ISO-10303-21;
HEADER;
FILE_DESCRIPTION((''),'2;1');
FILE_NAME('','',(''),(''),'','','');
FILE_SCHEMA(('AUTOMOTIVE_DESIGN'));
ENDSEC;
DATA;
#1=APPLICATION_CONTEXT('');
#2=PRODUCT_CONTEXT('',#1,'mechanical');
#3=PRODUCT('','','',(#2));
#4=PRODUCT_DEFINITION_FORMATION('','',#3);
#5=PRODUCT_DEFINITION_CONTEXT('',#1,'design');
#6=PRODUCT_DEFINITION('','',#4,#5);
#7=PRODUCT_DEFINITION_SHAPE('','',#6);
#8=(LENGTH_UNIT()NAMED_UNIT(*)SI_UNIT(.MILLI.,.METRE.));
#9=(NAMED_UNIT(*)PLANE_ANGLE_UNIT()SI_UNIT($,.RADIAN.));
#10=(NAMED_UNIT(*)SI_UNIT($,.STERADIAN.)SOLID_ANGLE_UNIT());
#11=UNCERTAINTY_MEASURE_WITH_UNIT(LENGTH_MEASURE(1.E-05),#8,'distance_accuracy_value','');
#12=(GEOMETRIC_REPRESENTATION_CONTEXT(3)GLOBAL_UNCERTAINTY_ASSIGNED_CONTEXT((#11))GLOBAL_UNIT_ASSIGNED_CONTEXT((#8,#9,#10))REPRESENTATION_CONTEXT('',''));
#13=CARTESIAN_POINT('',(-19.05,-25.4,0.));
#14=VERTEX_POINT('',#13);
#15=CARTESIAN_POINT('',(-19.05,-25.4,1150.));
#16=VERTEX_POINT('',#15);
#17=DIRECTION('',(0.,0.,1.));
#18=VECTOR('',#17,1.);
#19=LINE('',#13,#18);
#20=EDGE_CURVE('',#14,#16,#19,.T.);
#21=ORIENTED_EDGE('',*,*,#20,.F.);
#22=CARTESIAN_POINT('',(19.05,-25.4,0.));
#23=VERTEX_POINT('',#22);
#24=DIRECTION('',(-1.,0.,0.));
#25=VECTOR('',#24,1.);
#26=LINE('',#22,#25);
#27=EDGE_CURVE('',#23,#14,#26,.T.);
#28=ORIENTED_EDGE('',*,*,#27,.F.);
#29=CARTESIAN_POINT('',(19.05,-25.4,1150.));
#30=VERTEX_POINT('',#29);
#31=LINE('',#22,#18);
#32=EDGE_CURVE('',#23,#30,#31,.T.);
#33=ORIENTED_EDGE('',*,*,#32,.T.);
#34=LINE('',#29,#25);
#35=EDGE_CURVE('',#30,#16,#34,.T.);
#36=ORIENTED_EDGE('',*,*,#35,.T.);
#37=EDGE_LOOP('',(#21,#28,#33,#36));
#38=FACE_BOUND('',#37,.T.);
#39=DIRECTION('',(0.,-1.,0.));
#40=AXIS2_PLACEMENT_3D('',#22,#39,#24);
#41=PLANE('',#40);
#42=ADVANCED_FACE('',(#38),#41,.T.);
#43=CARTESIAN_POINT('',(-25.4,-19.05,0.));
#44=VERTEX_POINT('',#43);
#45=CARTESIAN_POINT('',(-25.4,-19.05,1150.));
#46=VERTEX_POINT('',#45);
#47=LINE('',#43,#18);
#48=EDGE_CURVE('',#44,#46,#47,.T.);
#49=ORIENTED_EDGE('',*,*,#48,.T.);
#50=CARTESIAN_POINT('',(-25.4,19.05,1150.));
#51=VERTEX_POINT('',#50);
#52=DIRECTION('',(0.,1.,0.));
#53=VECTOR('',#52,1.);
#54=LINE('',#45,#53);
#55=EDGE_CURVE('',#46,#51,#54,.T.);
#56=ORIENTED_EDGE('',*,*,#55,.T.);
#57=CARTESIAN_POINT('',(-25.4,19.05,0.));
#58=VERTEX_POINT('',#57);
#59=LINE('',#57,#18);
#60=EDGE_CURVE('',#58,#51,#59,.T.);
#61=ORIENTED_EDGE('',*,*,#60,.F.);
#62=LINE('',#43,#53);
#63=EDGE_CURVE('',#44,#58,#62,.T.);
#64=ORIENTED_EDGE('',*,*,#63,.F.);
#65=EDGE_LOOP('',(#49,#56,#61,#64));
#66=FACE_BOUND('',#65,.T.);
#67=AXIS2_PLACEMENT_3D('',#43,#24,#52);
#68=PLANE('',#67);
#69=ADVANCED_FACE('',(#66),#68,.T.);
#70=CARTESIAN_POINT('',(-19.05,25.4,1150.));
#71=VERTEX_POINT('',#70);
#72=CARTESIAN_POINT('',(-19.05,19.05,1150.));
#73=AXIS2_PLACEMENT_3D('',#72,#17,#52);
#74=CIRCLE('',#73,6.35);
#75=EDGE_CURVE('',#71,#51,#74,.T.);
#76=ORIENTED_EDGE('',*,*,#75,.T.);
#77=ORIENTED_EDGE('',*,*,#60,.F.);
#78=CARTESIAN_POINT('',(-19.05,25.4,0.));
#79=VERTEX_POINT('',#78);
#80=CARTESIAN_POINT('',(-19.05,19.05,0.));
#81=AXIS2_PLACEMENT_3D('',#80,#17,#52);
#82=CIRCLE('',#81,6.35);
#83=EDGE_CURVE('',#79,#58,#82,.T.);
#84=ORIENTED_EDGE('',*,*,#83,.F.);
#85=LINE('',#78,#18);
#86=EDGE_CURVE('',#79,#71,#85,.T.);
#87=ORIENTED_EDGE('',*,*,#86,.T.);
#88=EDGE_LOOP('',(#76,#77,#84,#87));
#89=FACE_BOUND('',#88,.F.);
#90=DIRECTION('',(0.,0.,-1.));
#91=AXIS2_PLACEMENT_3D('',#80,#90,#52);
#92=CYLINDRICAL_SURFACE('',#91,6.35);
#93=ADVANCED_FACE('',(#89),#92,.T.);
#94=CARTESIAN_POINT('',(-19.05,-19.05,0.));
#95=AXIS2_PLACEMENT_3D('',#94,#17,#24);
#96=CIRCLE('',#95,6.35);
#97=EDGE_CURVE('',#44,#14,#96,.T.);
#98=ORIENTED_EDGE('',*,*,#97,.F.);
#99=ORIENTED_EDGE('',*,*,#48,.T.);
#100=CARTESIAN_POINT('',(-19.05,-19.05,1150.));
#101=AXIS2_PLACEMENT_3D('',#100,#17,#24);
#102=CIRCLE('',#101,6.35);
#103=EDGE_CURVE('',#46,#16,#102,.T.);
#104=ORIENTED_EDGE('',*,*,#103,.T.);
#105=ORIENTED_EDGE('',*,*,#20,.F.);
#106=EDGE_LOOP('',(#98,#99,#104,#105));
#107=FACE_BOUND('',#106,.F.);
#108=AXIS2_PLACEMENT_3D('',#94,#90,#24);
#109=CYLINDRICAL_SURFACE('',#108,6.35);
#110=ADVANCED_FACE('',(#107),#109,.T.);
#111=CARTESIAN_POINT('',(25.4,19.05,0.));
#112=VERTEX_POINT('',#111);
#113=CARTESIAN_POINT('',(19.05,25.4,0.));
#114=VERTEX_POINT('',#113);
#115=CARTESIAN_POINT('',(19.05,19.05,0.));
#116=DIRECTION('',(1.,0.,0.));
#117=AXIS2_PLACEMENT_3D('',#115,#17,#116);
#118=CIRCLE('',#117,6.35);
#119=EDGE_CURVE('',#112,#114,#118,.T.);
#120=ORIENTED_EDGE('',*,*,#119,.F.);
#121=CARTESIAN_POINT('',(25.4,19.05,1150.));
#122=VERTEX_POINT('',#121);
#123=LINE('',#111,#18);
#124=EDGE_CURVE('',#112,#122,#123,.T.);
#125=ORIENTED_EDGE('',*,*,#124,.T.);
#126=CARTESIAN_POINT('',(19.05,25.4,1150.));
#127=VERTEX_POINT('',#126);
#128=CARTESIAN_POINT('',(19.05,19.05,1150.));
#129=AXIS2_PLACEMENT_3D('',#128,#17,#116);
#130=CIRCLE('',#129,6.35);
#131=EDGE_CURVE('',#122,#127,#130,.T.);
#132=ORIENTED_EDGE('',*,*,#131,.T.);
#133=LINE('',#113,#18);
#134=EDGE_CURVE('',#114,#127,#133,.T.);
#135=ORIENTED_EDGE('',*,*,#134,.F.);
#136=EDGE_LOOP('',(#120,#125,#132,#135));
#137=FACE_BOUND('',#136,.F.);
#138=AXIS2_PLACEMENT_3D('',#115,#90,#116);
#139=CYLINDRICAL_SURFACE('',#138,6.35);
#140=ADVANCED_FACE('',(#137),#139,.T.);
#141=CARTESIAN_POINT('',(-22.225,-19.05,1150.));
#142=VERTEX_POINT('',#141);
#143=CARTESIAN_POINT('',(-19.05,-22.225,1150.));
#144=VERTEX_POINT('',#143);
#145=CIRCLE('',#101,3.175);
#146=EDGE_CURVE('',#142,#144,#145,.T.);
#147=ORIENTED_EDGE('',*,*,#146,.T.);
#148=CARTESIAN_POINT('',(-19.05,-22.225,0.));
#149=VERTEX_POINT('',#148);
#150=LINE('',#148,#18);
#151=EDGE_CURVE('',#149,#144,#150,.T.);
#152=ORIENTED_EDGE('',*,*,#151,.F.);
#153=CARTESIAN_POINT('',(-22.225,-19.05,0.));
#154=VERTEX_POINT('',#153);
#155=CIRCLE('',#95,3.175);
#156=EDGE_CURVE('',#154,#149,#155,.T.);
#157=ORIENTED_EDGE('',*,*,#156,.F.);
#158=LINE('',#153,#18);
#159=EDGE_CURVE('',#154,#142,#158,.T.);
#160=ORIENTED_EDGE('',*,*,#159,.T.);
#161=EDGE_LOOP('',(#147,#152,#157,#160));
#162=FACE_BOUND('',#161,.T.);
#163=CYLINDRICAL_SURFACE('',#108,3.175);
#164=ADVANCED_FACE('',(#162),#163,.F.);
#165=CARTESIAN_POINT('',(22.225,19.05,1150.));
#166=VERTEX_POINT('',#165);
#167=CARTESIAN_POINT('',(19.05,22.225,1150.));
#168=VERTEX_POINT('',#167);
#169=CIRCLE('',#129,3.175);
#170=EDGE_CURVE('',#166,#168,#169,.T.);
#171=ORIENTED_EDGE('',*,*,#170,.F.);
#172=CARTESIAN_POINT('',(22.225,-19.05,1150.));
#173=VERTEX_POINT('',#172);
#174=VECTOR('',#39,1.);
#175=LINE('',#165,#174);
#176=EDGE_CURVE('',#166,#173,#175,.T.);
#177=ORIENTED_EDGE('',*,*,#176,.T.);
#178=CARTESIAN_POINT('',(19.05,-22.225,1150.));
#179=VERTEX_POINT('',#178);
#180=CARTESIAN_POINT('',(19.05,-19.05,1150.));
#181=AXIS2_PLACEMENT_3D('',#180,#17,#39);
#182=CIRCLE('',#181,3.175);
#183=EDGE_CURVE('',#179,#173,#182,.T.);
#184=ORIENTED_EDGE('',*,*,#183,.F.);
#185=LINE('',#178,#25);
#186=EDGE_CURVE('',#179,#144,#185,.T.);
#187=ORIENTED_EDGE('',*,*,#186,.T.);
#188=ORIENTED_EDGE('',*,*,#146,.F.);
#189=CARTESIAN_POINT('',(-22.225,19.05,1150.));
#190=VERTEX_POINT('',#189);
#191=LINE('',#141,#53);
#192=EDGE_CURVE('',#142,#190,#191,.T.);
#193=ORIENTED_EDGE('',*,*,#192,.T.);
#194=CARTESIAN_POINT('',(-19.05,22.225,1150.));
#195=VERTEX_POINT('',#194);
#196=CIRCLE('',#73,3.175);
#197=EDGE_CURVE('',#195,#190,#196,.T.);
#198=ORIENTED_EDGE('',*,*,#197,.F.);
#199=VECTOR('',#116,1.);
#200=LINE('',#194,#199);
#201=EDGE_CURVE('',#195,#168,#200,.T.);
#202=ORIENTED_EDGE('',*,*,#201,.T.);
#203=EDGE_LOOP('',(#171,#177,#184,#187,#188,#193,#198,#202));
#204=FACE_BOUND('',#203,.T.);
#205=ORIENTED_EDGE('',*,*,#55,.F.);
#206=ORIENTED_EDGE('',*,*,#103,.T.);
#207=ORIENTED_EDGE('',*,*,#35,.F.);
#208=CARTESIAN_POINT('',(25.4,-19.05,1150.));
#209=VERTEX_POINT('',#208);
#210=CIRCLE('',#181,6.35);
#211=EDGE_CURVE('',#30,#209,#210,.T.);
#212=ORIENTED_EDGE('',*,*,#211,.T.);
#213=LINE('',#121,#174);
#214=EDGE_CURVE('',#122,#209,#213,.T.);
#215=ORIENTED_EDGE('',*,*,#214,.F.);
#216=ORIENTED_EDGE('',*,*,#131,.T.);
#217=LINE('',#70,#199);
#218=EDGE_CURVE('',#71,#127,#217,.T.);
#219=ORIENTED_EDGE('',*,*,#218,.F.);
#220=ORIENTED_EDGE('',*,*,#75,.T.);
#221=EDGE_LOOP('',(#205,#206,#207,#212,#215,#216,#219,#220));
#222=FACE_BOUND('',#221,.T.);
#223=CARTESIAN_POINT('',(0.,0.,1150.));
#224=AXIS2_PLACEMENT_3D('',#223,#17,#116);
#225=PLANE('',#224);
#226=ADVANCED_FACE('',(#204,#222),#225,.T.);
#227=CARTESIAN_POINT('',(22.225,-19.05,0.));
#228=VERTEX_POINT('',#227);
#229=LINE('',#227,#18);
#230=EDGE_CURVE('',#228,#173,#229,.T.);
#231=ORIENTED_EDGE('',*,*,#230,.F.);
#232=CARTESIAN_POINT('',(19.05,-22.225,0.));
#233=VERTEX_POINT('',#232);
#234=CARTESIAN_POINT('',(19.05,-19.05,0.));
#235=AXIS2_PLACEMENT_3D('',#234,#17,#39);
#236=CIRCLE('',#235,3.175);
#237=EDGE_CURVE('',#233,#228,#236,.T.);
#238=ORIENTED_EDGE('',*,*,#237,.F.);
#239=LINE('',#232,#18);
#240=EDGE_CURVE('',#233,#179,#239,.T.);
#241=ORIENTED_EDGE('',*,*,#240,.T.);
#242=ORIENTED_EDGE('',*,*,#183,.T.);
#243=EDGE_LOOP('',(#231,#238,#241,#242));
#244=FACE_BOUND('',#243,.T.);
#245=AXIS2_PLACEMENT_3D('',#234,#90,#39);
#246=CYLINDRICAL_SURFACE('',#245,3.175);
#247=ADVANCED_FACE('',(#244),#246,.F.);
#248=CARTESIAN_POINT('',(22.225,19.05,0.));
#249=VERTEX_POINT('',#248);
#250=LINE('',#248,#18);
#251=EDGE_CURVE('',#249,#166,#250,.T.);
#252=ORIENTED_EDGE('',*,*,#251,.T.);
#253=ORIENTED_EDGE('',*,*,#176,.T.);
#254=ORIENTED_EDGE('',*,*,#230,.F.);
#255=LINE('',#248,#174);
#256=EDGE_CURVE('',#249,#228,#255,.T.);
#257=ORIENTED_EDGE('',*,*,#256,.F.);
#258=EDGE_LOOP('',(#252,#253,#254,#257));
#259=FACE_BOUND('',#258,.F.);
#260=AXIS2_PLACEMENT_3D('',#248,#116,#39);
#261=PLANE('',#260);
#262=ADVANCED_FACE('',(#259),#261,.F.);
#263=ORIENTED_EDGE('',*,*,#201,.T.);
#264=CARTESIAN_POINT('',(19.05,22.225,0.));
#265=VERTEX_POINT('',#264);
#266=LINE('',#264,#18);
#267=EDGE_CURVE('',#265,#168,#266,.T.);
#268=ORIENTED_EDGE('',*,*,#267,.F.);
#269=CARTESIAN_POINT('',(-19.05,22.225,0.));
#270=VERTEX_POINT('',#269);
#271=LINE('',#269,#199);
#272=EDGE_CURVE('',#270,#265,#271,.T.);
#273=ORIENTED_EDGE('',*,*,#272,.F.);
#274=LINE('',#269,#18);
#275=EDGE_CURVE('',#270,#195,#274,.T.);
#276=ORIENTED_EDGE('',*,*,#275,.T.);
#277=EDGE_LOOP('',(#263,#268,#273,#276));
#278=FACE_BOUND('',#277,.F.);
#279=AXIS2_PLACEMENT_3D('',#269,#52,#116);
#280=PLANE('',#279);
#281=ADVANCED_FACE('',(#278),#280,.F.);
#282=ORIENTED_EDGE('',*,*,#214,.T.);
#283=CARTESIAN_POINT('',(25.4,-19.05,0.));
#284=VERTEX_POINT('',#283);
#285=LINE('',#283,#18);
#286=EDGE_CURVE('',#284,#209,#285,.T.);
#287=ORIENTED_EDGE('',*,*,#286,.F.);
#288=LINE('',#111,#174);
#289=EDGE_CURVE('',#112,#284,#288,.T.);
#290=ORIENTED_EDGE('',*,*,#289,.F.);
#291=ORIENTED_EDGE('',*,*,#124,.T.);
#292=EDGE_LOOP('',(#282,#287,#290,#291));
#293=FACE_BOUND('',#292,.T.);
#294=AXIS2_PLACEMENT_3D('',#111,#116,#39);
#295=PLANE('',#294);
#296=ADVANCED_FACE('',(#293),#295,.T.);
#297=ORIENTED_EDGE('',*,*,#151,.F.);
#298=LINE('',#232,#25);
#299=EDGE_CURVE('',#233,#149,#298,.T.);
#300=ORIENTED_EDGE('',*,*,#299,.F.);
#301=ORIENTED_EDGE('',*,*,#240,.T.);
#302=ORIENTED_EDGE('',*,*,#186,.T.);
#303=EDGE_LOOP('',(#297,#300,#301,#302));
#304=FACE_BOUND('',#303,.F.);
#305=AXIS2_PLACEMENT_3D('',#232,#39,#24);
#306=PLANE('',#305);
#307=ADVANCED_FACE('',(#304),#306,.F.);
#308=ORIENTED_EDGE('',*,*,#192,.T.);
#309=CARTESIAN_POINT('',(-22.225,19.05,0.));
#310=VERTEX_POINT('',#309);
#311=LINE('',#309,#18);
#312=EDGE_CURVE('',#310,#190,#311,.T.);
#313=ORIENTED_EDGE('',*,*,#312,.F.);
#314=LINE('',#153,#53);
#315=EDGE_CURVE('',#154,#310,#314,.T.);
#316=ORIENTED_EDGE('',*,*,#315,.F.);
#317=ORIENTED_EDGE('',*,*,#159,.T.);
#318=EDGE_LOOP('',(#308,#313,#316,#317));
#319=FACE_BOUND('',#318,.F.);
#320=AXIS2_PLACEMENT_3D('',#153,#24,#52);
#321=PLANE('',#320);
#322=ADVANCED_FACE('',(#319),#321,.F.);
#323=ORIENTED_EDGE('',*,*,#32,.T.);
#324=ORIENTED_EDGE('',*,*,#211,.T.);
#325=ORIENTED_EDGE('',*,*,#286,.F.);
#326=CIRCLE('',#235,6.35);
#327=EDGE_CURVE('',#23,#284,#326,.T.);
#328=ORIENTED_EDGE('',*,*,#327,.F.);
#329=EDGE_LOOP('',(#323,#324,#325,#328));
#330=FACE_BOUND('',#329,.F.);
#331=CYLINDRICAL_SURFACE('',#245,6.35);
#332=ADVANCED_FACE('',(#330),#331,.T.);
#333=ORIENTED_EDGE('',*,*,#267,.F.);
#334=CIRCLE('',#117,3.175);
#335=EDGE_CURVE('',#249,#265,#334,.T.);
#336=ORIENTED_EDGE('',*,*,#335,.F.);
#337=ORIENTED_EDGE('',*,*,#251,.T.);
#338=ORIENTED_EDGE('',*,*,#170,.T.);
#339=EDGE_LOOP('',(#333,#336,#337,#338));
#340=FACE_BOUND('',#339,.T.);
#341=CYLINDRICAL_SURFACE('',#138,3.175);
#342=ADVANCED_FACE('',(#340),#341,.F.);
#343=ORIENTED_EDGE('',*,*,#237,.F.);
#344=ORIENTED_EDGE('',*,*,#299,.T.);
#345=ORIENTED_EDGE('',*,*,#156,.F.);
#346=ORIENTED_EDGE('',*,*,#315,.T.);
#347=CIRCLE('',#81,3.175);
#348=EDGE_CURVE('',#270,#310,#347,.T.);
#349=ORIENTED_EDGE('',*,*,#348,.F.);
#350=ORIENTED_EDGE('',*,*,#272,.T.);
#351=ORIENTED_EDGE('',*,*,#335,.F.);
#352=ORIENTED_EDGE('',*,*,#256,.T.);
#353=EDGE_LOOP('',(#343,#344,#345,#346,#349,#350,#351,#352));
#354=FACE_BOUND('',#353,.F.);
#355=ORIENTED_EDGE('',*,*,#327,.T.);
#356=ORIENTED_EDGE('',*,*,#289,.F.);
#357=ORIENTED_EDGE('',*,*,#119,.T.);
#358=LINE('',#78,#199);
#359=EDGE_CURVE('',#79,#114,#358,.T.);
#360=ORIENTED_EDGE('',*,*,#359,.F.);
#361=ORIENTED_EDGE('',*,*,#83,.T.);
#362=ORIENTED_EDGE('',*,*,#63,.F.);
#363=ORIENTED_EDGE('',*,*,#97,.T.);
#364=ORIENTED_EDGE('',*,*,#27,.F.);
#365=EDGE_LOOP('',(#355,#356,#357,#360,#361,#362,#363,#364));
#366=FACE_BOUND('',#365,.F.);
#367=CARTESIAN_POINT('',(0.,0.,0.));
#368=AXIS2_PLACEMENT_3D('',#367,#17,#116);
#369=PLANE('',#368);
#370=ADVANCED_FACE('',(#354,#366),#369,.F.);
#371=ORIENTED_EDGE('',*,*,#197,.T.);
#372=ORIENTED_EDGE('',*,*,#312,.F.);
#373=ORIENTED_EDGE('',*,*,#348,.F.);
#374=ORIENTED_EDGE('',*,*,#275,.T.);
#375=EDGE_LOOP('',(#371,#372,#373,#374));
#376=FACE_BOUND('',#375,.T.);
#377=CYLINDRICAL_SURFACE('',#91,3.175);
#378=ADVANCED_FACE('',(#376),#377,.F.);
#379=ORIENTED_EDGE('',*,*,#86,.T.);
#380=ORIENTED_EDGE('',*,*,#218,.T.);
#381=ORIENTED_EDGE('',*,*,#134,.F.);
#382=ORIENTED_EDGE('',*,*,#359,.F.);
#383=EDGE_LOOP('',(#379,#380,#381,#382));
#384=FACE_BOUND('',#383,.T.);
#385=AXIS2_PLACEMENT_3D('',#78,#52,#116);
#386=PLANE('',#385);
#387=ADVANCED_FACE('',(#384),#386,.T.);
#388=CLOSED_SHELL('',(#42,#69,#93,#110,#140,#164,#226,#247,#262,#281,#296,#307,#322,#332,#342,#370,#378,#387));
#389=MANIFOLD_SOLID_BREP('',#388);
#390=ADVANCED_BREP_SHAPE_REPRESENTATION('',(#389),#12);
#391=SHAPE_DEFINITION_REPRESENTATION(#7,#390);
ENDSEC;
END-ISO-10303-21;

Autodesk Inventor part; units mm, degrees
ref_plane "YZ Plane" through (0, 0, 0) normal (1, 0, 0) x (0, 1, 0)
ref_plane "Plano inicial" through (0, 0, 0) normal (0, 0, 1) x (1, 0, 0)
ref_plane "Plano final" through (0, 0, 1150) normal (0, 0, 1) x (1, 0, 0)
sketch "Boceto" plane through (0, 0, 0) normal (0, 0, 1) x (1, 0, 0)
  line L0 (-25.4, -19.05) -> (-25.4, 19.05)
  line L1 (-19.05, 25.4) -> (19.05, 25.4)
  line L2 (25.4, 19.05) -> (25.4, -19.05)
  line L3 (19.05, -25.4) -> (-19.05, -25.4)
  arc A0 (-25.4, -19.05) -> (-19.05, -25.4) centre (-19.05, -19.05) ccw
  arc A1 (-19.05, 25.4) -> (-25.4, 19.05) centre (-19.05, 19.05) ccw
  arc A2 (25.4, 19.05) -> (19.05, 25.4) centre (19.05, 19.05) ccw
  arc A3 (19.05, -25.4) -> (25.4, -19.05) centre (19.05, -19.05) ccw
  arc A4 (-19.05, 22.225) -> (-22.225, 19.05) centre (-19.05, 19.05) ccw
  line L4 (-19.05, 22.225) -> (19.05, 22.225)
  arc A5 (22.225, 19.05) -> (19.05, 22.225) centre (19.05, 19.05) ccw
  line L5 (22.225, 19.05) -> (22.225, -19.05)
  arc A6 (19.05, -22.225) -> (22.225, -19.05) centre (19.05, -19.05) ccw
  line L6 (19.05, -22.225) -> (-19.05, -22.225)
  arc A7 (-22.225, -19.05) -> (-19.05, -22.225) centre (-19.05, -19.05) ccw
  line L7 (-22.225, -19.05) -> (-22.225, 19.05)
  line L8 (0, 37.4012) -> (0, -37.4012) construction
  line L9 (-37.4012, 0) -> (37.4012, 0) construction
  dimension "d10" = 50.8
  dimension "d11" = 50.8
  dimension "d12" = 3.175
  dimension "d15" = 25.4
  dimension "d16" = 25.4
  dimension "d17" = 6.35
extrude "Cuerpo" add sketch "Boceto" along normal up to surface (1150 mm away) from surface at 0
sketch "Sketch3" plane through (0, 0, 0) normal (0, 0, 1) x (1, 0, 0)
  line L0 (0, 0) -> (10, 0)
ref_plane "Work Plane3" through (0, 0, 0) normal (0, -1, 0) x (1, 0, 0)
sketch "Sketch4" plane through (0, 0, 0) normal (0, -1, 0) x (1, 0, 0)
  line L0 (-2, 0) -> (12, 0) projected
  line L1 (-2, 1150) -> (12, 1150) projected
  dimension "d19" = 1150
equation "\"d10\" = G_H"
equation "\"d11\" = G_W"
equation "\"d12\" = G_T"
equation "\"d15\" = 0.5 * d10"
equation "\"d16\" = 0.5 * d11"
equation "\"d17\" = G_IR"
equation "\"d3\" = G_L"
equation "\"G_W\" = 50.8"
equation "\"G_H\" = 50.8"
equation "\"G_T\" = 3.175"
equation "\"G_IR\" = 6.35"
equation "\"G_L\" = d19"
equation "\"G_OFFSET_START\" = 0"
equation "\"G_OFFSET_END\" = 0"
equation "\"d14\" = G_OFFSET_END + B_L"
equation "\"B_L\" = 1150"
properties part number "AISC - 2 x 2 x 1/8 - 45,276" material "Acero, suave"
